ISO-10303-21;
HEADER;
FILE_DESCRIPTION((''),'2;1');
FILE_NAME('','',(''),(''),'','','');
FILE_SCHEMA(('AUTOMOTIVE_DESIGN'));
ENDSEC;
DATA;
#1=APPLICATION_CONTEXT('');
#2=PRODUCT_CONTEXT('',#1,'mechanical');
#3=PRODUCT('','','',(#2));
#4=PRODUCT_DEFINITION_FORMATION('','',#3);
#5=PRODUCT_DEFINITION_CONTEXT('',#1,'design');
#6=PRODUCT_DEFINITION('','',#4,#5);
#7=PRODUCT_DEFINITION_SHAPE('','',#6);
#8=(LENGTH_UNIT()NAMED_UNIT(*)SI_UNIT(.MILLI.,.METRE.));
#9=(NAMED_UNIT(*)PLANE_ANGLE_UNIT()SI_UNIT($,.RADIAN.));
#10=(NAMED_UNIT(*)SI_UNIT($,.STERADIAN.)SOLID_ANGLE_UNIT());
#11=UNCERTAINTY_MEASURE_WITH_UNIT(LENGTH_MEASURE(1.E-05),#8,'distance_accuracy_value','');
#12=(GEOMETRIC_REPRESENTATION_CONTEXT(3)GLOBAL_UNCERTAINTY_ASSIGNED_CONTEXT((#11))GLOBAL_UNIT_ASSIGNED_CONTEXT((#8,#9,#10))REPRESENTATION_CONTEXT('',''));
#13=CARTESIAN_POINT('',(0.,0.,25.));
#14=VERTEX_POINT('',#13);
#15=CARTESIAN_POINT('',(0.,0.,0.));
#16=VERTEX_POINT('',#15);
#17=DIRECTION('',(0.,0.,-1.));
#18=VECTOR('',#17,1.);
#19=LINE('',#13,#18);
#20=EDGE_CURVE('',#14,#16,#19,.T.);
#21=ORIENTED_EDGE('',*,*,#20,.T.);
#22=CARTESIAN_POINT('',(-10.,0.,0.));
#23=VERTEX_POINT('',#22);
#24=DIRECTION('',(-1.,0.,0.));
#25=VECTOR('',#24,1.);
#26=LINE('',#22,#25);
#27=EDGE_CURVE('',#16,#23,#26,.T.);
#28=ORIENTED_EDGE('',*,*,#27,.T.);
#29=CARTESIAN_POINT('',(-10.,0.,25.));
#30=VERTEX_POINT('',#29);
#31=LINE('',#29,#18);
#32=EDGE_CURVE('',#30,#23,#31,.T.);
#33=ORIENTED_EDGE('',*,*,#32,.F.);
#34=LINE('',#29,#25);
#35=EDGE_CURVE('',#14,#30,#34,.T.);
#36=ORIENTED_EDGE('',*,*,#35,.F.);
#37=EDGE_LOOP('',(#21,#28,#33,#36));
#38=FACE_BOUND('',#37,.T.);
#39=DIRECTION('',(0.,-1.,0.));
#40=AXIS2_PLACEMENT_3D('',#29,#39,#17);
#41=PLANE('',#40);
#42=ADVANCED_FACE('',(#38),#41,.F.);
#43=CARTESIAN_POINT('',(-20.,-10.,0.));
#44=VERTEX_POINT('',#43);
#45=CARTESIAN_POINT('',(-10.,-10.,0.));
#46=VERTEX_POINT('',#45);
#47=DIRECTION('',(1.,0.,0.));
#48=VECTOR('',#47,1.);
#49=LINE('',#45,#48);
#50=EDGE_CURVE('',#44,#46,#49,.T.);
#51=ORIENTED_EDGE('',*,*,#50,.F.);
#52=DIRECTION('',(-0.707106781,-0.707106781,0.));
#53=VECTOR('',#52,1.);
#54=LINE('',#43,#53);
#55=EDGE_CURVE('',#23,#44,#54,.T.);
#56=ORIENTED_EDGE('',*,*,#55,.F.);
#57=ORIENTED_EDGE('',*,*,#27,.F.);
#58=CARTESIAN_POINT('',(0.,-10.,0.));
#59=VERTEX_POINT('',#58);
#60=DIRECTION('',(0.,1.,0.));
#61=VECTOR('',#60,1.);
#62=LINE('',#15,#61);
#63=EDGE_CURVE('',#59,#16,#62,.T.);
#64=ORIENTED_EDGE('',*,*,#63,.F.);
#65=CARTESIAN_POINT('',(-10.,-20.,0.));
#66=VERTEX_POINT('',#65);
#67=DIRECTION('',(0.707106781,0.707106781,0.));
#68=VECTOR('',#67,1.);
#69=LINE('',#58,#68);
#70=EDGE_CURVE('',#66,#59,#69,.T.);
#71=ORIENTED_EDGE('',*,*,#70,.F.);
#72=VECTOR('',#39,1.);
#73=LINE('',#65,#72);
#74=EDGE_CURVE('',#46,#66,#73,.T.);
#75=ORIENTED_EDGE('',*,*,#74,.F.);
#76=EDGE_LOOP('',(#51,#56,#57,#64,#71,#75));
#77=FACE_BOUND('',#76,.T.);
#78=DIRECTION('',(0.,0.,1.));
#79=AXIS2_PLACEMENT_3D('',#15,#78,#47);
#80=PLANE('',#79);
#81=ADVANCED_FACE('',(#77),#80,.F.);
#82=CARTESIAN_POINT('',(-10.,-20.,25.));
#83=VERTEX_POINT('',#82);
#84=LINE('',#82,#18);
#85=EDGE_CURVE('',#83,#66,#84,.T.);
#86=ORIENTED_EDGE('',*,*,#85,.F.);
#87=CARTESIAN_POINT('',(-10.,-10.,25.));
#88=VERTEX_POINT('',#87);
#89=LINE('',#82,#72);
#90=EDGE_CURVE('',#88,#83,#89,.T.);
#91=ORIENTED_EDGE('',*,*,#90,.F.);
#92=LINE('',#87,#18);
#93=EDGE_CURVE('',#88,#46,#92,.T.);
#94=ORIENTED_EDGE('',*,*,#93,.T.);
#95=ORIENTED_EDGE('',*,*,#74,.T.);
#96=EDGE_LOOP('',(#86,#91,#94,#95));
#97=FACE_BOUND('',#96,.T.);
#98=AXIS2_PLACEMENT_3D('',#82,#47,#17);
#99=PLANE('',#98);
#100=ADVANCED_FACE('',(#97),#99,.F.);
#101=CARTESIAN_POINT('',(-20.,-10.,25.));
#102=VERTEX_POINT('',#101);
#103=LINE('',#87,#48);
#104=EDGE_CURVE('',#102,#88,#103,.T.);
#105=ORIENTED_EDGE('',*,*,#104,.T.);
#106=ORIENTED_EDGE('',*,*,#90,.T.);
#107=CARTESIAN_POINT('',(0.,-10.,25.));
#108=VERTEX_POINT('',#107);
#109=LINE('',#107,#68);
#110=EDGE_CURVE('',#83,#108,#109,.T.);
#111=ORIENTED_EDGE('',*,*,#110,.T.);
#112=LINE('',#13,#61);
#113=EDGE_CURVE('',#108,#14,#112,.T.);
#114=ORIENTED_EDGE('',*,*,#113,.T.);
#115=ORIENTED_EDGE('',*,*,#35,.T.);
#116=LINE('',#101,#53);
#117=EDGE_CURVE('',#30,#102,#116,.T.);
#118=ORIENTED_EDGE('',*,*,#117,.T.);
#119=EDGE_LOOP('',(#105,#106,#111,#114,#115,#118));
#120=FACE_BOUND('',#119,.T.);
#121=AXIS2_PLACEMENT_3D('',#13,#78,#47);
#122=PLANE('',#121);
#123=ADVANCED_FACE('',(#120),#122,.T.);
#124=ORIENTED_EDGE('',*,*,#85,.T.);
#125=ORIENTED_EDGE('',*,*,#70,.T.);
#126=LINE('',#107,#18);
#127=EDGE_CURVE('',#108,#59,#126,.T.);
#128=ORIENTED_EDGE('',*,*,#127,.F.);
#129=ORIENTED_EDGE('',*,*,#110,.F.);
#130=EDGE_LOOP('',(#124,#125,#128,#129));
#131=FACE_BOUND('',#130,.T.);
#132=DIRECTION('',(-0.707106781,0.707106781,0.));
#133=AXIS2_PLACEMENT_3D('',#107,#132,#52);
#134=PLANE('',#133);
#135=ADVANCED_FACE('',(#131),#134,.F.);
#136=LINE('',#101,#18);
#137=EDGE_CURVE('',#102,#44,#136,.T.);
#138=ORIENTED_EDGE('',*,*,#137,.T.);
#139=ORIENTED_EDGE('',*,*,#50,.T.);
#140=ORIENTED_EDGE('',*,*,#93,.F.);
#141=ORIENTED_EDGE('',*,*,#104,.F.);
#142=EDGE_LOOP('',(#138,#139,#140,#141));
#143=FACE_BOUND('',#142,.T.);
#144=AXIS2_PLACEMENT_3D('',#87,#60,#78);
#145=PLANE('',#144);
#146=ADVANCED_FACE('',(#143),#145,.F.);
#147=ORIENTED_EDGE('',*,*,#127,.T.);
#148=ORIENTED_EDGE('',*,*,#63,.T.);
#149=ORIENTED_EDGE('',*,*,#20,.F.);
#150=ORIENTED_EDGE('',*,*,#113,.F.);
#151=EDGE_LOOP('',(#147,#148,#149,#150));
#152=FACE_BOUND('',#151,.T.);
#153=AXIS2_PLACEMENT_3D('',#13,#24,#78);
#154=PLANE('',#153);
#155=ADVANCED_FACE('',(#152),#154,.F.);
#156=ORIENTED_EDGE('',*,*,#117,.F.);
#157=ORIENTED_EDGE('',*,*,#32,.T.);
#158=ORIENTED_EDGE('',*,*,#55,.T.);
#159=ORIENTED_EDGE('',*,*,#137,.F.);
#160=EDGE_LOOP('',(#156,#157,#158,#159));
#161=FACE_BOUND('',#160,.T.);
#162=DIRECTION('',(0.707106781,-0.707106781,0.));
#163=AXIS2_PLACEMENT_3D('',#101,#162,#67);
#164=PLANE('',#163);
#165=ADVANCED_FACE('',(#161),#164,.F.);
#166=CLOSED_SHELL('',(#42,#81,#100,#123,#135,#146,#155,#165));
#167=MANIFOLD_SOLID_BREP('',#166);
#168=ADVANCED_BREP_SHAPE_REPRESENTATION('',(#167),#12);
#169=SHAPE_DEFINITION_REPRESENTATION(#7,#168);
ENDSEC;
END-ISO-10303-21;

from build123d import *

# Parameters (mm, degrees)
BOSS_EXTRUDE1_DEPTH = 25


with BuildPart() as part:
    # Sketch1 → Boss-Extrude1 (new body)
    with BuildSketch(Plane.XY):
        Polygon((-20, -10), (-10, 0), (0, 0), (0, -10), (-10, -20), (-10, -10), align=None)
    extrude(amount=BOSS_EXTRUDE1_DEPTH)


solid = part.part
